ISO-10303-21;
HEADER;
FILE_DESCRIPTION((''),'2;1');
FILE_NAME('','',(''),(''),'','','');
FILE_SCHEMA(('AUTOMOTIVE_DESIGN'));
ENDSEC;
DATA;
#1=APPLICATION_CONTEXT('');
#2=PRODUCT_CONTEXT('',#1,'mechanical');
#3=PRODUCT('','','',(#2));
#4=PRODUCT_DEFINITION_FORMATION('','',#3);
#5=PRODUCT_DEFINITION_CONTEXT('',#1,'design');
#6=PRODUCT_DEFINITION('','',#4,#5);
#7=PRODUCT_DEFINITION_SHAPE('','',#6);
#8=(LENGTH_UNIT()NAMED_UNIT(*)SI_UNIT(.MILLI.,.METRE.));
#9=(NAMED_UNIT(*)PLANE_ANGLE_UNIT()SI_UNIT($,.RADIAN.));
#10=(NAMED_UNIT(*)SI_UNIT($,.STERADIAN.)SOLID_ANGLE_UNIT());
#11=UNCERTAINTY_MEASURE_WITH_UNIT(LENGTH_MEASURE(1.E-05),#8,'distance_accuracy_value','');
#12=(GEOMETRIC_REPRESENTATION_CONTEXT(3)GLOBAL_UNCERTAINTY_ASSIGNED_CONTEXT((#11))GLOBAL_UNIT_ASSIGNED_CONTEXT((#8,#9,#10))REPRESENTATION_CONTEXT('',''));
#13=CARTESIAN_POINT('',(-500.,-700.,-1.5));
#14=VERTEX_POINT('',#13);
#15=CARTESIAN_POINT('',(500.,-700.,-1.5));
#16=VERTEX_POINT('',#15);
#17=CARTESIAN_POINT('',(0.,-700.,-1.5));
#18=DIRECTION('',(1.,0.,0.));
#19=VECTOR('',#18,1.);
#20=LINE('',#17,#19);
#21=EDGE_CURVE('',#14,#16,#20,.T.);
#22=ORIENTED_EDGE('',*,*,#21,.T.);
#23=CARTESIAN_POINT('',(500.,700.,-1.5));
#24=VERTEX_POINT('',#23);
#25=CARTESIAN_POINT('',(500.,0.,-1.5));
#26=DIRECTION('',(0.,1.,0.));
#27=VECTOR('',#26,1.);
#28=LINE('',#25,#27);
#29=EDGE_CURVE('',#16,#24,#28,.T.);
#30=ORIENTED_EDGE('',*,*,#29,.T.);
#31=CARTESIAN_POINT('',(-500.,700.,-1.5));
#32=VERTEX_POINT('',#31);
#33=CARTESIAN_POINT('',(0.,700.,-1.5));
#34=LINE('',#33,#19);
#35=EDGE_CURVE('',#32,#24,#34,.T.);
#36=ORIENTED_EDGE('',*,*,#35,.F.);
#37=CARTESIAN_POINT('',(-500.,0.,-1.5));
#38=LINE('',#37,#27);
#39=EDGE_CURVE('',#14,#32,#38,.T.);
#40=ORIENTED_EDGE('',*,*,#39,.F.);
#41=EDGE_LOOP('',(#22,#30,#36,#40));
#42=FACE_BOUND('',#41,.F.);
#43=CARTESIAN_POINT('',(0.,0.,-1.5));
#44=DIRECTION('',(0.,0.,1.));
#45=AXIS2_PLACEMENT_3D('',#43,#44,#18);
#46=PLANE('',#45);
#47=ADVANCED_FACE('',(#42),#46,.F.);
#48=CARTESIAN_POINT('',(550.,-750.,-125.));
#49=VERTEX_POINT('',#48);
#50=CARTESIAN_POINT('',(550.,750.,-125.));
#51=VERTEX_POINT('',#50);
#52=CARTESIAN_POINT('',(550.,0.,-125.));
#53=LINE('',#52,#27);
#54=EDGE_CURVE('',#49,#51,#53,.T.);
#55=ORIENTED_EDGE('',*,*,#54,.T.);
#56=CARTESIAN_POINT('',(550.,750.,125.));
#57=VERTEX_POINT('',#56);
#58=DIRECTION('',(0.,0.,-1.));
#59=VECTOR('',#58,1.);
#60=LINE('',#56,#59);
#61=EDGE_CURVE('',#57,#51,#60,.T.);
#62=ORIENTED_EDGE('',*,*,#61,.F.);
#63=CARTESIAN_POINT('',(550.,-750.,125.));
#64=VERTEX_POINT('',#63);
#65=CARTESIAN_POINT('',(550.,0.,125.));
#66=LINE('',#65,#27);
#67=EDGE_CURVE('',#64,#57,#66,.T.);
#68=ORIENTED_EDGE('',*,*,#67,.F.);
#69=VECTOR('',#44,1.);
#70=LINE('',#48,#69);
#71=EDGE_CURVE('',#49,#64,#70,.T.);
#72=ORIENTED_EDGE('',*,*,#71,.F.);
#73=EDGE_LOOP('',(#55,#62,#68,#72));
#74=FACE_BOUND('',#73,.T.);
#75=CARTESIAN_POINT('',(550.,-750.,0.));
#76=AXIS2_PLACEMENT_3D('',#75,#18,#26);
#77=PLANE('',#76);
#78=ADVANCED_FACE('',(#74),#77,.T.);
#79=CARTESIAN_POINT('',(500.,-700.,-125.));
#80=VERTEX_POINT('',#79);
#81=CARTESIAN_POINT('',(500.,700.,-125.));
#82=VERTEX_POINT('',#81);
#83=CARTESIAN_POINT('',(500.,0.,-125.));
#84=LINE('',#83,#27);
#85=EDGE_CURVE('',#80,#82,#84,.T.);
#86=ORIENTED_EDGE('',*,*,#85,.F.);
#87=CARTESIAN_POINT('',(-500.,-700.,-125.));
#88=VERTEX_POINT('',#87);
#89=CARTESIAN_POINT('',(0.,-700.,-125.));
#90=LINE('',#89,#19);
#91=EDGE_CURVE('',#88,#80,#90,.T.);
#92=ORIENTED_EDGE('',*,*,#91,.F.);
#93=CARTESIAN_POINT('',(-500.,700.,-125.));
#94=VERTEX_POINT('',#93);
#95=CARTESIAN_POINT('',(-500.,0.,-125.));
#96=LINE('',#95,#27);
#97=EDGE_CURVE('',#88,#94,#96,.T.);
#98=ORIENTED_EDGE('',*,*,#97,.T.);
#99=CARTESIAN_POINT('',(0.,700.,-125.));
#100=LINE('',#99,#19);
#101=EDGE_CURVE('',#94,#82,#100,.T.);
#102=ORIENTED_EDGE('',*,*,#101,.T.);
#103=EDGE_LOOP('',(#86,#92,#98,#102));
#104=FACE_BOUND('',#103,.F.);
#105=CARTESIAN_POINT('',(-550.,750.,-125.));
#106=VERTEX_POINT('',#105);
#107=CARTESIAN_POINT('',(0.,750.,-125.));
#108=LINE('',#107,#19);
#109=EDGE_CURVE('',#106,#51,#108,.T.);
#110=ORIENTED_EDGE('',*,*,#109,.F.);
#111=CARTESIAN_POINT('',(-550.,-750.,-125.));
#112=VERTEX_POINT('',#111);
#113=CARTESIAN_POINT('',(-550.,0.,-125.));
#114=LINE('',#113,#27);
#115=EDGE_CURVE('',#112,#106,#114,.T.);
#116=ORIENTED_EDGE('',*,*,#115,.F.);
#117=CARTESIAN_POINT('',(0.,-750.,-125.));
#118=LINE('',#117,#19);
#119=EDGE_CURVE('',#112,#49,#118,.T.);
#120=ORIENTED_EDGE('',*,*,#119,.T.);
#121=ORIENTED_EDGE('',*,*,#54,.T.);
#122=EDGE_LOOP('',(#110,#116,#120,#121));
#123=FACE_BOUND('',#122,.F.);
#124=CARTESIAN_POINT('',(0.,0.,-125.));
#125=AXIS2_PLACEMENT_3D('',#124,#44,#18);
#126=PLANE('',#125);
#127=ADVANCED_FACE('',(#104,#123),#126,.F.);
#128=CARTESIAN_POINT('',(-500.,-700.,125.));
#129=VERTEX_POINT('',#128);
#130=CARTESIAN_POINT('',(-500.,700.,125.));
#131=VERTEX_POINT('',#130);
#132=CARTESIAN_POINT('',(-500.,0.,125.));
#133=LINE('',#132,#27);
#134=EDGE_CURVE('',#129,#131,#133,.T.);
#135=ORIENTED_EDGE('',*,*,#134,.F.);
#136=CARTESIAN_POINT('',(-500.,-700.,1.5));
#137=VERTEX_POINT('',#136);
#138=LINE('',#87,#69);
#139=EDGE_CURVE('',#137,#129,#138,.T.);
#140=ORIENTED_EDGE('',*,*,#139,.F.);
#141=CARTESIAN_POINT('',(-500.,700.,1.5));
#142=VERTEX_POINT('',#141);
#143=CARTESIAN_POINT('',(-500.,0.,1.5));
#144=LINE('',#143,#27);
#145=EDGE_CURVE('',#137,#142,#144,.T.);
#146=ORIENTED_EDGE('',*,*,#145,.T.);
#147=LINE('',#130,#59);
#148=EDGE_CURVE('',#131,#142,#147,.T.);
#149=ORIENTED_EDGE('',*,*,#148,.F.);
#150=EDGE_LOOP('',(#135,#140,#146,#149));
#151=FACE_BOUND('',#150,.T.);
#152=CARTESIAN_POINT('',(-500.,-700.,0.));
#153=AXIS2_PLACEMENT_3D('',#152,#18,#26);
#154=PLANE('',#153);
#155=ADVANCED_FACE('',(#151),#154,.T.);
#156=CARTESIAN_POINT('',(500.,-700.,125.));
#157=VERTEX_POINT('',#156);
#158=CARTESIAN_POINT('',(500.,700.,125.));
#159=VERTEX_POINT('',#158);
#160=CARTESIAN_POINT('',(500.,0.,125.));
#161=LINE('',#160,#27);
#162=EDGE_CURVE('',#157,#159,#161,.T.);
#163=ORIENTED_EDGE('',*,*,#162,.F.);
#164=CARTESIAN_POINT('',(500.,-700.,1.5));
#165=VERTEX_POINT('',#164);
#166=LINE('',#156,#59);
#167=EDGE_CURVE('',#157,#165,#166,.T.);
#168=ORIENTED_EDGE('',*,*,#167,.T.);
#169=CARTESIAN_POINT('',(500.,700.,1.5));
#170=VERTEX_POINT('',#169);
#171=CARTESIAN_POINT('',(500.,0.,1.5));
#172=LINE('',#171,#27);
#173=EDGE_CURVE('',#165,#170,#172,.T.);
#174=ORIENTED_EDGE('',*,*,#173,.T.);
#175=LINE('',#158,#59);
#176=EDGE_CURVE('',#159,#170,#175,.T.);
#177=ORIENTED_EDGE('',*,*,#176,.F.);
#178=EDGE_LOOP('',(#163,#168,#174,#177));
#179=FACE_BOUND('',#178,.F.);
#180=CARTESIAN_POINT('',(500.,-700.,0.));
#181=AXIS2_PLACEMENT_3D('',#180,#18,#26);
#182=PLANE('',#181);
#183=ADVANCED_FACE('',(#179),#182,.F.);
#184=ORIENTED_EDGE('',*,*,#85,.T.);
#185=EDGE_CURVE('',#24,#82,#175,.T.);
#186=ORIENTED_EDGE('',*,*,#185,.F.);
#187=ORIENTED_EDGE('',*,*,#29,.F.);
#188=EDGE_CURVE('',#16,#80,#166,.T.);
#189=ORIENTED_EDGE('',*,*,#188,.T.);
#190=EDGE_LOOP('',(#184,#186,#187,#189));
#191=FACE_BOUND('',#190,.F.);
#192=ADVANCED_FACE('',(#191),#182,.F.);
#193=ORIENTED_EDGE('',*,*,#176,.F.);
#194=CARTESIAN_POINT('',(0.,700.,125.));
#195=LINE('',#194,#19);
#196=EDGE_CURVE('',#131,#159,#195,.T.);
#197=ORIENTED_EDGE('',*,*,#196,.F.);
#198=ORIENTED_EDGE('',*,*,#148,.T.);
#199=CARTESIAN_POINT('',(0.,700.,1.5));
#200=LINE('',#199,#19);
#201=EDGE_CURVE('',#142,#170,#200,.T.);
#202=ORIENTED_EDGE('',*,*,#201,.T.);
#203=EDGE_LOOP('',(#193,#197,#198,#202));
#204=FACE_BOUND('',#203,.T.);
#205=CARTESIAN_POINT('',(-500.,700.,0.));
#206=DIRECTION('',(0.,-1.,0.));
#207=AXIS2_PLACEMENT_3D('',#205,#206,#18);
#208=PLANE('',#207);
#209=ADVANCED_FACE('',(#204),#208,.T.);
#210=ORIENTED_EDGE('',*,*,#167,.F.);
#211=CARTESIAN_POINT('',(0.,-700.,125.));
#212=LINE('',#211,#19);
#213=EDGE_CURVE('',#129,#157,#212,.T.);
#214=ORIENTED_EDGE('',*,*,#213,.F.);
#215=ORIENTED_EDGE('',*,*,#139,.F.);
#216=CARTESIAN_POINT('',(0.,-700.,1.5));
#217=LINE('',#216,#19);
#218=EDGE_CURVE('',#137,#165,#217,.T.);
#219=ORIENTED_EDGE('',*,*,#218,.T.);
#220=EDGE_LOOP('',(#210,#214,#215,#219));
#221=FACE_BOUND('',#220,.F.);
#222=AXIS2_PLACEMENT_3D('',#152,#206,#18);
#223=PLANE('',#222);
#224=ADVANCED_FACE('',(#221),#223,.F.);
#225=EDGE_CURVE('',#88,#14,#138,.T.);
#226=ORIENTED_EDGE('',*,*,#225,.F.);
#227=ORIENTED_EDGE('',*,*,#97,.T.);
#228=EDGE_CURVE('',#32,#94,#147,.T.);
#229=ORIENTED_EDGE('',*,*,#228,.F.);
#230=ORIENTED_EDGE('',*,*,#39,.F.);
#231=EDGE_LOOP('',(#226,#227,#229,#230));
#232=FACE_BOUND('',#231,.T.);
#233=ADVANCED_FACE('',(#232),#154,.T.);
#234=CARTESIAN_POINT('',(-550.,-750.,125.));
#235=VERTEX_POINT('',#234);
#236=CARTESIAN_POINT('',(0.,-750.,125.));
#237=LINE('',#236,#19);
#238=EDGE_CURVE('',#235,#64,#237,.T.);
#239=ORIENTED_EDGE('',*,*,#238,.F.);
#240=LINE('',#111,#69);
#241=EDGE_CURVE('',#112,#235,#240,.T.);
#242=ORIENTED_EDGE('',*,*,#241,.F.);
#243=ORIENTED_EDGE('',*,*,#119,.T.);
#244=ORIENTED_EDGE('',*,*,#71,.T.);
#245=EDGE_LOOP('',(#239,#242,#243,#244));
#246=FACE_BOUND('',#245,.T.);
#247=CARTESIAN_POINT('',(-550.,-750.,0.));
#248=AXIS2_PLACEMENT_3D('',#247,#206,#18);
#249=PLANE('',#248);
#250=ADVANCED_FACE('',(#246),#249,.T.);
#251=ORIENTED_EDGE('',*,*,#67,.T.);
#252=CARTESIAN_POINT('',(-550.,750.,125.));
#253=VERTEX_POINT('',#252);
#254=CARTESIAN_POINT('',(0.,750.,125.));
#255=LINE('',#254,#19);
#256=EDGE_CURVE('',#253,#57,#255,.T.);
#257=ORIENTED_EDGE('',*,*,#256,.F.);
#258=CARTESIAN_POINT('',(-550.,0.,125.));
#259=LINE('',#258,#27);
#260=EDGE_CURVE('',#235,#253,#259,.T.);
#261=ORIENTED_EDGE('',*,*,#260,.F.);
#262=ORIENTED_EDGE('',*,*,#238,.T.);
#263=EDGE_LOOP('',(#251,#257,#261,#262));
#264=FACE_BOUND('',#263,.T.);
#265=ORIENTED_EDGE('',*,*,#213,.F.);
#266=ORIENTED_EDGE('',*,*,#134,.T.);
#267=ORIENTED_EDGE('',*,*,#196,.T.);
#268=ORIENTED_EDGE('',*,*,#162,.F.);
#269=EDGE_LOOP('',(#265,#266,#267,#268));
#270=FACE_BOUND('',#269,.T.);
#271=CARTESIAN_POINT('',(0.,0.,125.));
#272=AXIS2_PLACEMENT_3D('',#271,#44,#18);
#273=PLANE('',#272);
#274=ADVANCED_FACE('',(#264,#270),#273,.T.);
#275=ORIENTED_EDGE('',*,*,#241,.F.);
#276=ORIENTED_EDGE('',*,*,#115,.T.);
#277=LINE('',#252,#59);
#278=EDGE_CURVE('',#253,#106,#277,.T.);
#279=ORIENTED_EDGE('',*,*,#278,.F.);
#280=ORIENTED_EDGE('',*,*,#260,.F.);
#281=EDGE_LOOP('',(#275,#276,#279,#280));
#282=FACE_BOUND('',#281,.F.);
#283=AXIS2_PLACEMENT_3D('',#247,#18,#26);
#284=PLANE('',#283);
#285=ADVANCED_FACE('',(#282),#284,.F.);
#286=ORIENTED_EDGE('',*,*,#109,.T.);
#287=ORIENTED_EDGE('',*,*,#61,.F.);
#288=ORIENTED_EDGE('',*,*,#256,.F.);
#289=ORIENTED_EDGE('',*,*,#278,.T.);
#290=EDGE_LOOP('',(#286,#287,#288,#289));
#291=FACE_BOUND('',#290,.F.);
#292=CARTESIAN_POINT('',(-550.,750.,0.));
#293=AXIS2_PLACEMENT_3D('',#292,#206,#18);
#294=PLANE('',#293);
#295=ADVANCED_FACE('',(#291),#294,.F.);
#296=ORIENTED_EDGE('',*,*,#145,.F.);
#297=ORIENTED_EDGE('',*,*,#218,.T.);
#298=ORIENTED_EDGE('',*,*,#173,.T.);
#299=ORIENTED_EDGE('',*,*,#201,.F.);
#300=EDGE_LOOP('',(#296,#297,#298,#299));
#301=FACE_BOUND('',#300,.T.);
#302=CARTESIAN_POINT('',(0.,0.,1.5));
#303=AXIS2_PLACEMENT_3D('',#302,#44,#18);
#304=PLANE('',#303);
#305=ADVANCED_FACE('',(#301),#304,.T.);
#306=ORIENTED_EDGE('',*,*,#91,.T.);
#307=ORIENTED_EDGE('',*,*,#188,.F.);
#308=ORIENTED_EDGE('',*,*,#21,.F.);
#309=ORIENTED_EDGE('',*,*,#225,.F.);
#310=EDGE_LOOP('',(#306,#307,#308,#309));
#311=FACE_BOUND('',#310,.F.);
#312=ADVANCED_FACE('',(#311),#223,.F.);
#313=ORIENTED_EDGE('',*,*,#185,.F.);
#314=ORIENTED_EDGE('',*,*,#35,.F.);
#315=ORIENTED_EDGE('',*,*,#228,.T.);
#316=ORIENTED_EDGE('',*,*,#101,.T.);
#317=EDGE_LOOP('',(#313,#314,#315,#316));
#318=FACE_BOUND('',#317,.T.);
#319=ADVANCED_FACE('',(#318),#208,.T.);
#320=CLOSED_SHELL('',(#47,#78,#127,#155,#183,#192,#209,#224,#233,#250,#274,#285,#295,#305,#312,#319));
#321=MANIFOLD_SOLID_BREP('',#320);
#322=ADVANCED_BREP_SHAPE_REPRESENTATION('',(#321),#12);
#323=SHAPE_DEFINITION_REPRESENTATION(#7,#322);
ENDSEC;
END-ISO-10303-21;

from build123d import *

# Parameters (mm, degrees)
F0_W     = 1100
F0_H     = 1500
F0_W_2   = 1000
F0_H_2   = 1400
F1_DEPTH = 125
F2_W     = 1000
F2_H     = 1400
F3_DEPTH = 1.5


with BuildPart() as f1:
    # F0 (on Top) → F1 (new body, symmetric)
    with BuildSketch(Plane.XY):
        Rectangle(F0_W, F0_H)
        Rectangle(F0_W_2, F0_H_2, mode=Mode.SUBTRACT)
    extrude(amount=F1_DEPTH, both=True)

    # F2 (on Top) → F3 (join, symmetric)
    with BuildSketch(Plane.XY):
        Rectangle(F2_W, F2_H)
    extrude(amount=F3_DEPTH, both=True)


solid = f1.part
